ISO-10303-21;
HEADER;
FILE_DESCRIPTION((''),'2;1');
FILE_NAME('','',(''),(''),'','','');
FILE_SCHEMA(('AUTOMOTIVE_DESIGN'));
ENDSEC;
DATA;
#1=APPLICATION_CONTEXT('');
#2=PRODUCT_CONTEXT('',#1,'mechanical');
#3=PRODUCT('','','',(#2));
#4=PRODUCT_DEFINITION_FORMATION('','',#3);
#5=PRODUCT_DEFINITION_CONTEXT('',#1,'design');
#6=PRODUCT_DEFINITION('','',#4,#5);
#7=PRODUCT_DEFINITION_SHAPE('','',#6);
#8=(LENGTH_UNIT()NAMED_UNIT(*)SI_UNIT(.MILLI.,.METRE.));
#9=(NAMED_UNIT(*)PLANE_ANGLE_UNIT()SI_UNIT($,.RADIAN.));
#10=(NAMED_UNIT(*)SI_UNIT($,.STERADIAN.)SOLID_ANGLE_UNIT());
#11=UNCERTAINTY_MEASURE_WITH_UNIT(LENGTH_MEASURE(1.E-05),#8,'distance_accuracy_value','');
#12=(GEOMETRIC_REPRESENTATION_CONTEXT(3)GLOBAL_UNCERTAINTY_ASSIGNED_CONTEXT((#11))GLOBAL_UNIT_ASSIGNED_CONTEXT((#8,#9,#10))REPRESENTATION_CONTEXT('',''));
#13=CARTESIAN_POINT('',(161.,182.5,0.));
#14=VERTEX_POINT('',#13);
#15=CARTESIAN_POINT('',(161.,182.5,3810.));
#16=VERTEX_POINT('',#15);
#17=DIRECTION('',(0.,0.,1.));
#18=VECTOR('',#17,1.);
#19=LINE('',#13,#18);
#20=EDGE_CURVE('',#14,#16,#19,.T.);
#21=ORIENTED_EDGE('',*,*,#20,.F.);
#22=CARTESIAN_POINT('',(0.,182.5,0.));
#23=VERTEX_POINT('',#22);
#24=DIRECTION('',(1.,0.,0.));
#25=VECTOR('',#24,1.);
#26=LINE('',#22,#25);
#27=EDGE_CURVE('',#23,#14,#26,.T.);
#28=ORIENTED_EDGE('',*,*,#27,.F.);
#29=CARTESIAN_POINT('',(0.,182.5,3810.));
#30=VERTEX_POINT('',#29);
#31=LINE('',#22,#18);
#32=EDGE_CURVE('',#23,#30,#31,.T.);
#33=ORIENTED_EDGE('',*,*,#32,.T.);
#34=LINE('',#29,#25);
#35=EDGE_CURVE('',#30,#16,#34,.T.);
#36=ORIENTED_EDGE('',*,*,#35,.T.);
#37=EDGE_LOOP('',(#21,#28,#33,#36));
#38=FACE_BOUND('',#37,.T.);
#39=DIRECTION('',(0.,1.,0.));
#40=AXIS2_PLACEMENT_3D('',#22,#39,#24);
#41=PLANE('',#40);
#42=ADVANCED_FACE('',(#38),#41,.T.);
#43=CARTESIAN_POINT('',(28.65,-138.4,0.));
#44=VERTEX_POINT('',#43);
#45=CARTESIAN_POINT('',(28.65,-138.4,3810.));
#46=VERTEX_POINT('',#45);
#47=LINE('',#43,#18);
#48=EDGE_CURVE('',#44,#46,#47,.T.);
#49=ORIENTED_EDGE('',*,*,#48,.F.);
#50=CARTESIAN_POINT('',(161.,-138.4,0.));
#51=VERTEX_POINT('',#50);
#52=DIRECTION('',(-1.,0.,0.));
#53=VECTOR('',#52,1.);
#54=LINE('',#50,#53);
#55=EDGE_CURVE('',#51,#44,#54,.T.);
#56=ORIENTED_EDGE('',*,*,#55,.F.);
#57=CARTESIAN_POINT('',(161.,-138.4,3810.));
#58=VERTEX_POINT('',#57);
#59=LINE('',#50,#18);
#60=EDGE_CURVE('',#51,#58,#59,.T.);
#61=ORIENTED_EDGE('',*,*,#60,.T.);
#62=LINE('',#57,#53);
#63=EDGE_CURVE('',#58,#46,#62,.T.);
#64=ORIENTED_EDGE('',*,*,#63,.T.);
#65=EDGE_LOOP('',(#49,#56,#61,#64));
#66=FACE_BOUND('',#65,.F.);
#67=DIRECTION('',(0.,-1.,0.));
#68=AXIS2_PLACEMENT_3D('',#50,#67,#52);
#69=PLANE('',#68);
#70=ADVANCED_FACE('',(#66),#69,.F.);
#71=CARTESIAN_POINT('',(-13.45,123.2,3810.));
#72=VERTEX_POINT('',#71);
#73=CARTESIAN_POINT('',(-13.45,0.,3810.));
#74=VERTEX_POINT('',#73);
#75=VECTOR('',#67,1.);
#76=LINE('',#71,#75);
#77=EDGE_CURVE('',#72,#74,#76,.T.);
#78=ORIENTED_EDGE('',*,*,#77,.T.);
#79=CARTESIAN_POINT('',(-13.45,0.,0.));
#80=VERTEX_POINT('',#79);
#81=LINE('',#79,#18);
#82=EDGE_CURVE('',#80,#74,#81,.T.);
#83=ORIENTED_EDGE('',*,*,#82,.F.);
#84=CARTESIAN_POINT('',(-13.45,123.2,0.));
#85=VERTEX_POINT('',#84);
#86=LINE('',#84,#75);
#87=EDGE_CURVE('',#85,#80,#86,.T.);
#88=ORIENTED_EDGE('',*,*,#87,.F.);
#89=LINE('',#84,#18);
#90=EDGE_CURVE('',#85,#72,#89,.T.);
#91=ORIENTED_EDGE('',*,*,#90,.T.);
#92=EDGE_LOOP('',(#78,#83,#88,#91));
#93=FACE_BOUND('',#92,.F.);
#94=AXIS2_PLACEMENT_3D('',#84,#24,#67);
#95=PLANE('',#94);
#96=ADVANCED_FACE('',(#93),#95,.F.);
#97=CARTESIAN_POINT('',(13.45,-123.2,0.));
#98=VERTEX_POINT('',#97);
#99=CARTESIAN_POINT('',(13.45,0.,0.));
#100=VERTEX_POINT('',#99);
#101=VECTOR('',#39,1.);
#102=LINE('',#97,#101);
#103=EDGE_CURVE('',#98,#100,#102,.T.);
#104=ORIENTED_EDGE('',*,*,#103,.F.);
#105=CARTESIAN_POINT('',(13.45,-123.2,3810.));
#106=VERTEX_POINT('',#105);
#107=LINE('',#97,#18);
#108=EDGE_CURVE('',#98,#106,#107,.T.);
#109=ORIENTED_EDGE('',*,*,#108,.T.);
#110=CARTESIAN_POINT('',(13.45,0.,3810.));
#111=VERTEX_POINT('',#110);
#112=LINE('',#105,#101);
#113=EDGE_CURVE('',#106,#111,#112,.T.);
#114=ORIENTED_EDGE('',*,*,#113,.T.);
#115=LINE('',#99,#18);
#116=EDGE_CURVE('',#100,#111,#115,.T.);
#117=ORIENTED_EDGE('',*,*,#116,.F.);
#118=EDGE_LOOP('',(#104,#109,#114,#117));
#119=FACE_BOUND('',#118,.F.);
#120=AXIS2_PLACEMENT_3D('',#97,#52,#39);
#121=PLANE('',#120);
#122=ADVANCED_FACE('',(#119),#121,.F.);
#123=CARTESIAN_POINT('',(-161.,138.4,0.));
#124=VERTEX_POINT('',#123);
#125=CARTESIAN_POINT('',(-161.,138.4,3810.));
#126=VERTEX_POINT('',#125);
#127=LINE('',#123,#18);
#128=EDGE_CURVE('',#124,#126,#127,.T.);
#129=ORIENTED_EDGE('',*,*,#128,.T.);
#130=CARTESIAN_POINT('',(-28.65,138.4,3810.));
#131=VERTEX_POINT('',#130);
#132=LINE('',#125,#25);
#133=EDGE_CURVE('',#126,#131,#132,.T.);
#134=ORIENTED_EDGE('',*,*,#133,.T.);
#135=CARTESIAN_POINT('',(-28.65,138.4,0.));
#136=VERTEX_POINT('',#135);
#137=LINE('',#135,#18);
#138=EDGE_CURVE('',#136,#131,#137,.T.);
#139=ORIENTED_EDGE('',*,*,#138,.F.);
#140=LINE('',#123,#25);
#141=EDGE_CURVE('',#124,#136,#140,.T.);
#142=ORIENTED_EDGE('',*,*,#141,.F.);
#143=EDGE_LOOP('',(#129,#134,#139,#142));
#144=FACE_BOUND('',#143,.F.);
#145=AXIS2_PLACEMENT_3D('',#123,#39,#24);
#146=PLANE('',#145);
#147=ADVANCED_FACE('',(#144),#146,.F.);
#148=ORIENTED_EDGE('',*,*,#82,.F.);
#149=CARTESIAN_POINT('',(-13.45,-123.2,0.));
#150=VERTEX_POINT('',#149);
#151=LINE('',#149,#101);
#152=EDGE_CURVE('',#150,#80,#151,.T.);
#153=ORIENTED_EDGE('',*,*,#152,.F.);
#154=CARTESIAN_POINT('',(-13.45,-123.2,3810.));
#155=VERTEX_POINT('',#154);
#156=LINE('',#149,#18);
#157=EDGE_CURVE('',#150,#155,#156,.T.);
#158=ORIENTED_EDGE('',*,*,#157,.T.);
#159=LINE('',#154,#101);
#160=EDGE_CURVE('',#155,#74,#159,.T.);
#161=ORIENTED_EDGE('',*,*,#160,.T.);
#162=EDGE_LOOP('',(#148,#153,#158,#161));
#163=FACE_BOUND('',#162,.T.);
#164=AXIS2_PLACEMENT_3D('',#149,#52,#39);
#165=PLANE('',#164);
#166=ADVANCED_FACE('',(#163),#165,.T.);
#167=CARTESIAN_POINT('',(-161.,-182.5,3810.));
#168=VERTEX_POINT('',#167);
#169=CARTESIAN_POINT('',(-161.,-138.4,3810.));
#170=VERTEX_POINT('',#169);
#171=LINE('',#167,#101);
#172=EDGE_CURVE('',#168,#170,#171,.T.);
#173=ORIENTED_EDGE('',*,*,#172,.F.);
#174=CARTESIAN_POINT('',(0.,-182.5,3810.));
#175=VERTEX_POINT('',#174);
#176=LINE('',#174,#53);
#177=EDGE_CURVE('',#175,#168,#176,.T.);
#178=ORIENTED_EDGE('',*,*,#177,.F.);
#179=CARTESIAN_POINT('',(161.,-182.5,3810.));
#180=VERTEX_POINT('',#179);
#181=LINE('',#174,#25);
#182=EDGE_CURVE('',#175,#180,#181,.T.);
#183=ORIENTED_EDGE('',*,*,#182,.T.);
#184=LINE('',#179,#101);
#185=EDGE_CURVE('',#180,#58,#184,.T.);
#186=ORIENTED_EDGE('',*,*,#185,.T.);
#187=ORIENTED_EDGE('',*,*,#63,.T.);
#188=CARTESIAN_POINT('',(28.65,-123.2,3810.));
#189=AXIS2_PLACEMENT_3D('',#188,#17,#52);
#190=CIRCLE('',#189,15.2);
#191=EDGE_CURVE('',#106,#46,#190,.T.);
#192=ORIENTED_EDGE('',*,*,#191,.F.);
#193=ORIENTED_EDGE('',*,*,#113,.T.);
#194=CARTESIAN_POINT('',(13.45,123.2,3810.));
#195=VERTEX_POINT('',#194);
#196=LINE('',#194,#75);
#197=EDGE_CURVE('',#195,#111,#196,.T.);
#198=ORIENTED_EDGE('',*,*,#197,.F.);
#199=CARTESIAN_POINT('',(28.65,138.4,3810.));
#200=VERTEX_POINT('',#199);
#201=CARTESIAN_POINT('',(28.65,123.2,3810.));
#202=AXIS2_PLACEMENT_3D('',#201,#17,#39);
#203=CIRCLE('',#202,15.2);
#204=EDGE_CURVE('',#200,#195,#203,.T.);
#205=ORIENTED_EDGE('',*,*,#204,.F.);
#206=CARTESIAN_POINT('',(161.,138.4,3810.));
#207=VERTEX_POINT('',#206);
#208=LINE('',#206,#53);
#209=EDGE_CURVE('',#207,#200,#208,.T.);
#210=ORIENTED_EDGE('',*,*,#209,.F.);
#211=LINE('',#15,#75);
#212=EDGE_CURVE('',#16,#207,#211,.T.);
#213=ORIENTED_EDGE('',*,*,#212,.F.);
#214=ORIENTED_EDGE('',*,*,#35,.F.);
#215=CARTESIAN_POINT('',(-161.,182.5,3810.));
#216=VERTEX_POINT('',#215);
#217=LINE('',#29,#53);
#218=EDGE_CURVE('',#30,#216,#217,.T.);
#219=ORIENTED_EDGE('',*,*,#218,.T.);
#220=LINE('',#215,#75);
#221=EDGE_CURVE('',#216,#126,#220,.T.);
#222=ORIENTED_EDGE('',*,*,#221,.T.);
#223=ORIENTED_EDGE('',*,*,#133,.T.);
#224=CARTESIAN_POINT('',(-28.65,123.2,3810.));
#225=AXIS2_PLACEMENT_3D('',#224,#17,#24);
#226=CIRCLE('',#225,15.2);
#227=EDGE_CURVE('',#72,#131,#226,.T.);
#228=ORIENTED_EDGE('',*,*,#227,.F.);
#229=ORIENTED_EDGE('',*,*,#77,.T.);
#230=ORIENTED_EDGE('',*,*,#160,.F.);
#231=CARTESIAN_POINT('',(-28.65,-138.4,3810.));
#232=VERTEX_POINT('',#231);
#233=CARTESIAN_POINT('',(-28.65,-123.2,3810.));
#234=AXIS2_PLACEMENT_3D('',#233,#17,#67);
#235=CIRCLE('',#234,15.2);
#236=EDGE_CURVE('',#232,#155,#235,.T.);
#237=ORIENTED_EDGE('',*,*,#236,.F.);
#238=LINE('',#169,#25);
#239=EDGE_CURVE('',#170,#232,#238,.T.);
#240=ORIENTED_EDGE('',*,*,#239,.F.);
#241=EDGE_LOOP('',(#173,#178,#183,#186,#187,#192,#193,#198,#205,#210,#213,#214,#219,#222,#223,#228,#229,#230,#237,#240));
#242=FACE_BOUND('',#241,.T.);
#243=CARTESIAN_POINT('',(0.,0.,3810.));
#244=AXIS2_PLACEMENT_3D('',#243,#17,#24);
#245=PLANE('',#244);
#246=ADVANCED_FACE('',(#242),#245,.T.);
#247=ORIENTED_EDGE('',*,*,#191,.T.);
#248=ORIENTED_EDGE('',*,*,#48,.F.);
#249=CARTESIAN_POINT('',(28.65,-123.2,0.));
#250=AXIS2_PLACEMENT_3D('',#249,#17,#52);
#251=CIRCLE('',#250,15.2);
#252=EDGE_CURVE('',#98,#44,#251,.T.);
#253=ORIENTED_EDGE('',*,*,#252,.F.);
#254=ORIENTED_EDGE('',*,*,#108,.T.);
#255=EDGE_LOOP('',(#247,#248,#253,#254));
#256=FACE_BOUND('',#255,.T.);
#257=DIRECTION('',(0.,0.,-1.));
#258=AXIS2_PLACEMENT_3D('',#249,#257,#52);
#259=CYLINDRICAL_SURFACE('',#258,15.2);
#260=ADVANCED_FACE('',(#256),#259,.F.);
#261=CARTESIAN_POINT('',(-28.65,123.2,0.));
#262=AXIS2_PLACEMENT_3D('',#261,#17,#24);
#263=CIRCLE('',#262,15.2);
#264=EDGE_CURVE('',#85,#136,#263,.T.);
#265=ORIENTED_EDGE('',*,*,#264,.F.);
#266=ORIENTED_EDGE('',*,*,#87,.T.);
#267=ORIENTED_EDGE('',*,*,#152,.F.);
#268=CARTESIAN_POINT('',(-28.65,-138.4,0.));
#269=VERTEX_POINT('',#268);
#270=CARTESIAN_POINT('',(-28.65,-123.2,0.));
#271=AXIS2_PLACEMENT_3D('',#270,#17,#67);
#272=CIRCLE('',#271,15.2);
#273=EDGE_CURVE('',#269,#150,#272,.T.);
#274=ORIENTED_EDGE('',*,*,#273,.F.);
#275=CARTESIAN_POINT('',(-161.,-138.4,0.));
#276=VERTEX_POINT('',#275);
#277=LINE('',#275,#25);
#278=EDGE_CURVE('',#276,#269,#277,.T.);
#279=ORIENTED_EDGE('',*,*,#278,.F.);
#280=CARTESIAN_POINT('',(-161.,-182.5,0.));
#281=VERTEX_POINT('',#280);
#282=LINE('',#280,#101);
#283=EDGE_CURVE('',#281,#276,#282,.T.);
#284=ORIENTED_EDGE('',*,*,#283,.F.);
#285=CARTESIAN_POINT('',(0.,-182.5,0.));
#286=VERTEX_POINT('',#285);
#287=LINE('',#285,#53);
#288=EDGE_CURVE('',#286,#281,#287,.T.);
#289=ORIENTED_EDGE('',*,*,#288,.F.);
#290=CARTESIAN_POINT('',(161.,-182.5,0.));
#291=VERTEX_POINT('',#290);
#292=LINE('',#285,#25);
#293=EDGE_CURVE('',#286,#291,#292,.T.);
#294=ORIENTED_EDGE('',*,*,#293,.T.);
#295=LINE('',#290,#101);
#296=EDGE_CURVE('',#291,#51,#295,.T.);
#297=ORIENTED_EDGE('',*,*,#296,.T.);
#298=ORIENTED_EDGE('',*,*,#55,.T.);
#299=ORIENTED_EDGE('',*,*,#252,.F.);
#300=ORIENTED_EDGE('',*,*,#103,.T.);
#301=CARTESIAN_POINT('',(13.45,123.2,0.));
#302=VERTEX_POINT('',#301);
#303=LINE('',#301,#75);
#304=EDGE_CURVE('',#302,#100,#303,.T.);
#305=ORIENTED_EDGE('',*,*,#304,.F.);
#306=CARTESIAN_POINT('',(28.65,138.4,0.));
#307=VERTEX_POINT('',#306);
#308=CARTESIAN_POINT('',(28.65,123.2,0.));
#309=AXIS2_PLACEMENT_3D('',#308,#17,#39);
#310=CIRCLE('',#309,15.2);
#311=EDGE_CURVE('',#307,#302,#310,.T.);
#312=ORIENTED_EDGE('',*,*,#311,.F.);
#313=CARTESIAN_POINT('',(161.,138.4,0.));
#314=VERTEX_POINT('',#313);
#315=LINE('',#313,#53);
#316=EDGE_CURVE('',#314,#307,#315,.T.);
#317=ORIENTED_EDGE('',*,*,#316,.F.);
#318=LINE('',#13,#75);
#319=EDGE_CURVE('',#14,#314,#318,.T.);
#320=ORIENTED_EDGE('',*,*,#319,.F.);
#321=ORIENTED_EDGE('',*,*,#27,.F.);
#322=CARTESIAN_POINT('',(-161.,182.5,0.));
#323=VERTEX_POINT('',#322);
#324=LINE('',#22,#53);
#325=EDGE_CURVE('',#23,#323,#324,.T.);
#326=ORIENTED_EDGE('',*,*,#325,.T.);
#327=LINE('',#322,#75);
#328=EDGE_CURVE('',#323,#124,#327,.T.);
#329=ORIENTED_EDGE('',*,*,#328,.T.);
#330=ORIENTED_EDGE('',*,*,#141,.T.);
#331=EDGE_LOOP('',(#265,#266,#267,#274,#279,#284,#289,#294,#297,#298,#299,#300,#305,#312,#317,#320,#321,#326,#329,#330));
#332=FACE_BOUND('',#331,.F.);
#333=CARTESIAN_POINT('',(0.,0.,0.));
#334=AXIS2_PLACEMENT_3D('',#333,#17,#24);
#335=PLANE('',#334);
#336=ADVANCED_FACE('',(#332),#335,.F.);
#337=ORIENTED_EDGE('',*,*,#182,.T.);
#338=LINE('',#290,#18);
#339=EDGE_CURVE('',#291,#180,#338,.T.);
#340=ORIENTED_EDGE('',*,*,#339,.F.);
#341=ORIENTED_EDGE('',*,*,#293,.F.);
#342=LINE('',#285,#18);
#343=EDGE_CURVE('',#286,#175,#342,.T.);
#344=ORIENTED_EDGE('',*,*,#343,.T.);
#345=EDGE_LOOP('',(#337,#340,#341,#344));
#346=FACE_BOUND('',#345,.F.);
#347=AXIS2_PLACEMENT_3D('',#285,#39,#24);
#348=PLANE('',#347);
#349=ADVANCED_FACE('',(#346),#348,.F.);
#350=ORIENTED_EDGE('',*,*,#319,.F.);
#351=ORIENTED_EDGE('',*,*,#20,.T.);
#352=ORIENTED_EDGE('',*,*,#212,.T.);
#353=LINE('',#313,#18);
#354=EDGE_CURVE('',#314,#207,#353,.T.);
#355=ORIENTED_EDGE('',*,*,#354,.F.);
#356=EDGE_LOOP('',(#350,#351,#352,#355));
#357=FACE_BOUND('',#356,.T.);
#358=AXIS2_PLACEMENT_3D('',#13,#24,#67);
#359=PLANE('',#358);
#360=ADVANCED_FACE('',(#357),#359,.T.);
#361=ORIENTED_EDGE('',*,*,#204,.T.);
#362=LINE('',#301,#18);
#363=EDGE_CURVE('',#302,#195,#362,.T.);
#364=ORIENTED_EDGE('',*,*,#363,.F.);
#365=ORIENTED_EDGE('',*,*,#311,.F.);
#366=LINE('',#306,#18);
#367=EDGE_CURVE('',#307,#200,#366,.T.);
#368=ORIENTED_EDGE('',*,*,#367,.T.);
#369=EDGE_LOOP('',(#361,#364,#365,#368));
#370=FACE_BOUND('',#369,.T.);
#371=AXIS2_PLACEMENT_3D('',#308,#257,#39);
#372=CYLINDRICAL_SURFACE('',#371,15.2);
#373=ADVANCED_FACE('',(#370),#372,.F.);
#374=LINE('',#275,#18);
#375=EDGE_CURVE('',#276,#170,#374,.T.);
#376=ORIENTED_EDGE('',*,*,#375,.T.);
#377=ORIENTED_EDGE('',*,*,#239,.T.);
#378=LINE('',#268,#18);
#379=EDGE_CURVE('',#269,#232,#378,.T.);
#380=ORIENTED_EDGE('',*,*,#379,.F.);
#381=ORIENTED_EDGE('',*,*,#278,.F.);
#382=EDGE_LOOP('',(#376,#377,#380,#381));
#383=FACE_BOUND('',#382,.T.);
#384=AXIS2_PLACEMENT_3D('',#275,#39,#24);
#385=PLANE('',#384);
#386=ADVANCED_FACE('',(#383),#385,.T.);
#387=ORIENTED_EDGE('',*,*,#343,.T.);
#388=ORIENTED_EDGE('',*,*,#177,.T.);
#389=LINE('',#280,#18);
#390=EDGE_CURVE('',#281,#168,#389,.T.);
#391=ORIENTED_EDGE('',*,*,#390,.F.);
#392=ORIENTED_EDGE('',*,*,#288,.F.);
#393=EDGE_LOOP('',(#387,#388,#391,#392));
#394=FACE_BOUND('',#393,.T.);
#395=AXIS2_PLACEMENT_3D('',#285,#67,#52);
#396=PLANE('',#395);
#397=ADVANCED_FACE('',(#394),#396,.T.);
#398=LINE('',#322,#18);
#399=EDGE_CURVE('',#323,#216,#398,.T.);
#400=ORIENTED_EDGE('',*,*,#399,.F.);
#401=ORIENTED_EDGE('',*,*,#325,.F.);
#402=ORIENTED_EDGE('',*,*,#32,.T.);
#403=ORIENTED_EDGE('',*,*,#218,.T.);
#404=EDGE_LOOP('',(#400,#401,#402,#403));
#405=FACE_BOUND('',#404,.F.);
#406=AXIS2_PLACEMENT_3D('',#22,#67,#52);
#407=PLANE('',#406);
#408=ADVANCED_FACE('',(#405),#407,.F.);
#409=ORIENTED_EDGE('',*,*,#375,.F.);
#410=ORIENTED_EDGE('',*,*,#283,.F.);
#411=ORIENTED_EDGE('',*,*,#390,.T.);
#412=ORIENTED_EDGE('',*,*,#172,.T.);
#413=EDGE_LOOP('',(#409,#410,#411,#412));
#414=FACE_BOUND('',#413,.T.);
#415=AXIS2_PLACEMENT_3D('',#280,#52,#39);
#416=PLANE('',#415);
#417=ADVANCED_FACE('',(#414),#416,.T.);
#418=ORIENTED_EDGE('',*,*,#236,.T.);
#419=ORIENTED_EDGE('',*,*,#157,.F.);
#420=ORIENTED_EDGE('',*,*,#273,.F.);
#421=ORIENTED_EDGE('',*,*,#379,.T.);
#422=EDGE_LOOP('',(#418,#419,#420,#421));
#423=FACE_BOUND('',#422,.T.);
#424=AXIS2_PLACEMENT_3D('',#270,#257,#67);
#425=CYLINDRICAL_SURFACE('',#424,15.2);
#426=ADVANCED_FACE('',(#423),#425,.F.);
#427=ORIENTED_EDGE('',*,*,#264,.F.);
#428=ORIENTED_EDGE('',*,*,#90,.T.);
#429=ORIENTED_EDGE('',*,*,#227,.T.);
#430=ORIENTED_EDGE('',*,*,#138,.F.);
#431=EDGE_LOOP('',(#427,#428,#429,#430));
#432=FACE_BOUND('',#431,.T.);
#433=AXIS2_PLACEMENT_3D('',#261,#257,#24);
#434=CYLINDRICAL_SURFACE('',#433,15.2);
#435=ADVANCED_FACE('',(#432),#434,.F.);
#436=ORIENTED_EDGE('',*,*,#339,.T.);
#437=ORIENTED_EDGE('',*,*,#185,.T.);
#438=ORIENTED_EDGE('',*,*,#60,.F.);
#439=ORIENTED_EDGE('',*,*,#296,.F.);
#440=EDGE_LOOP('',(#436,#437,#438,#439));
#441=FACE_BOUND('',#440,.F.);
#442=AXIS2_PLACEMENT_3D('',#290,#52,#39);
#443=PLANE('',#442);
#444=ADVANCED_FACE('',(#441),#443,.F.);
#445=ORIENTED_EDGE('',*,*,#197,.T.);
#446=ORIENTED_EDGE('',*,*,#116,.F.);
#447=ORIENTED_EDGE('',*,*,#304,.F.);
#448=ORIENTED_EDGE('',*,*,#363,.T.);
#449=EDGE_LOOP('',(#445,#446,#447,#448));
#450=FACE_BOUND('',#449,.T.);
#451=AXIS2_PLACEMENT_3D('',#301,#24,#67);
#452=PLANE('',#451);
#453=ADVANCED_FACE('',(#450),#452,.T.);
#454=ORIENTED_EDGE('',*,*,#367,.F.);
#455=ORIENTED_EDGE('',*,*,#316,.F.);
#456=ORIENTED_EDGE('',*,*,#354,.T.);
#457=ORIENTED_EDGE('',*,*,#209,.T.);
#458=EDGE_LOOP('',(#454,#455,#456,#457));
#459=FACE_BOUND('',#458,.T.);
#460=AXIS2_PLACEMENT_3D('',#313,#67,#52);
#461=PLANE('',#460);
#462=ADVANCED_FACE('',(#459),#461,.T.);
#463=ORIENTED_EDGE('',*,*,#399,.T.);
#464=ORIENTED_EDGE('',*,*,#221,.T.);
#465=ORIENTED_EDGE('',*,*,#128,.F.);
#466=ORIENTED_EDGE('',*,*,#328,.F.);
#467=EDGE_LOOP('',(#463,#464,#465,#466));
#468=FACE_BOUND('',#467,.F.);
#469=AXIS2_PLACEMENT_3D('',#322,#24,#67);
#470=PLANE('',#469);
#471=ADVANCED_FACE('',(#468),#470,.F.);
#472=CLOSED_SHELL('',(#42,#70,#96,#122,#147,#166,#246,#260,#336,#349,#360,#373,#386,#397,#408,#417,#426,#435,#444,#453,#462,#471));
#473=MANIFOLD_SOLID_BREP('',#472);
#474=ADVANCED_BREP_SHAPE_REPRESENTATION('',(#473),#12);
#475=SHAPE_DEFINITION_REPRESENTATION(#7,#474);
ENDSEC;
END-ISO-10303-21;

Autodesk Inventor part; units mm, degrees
ref_plane "YZ Plane" through (0, 0, 0) normal (1, 0, 0) x (0, 1, 0)
ref_plane "Start plane" through (0, 0, 0) normal (0, 0, 1) x (1, 0, 0)
ref_plane "End plane" through (0, 0, 3810) normal (0, 0, 1) x (1, 0, 0)
sketch "Sketch" plane through (0, 0, 0) normal (0, 0, 1) x (1, 0, 0)
  line L0 (-161, -182.5) -> (-161, -138.4)
  line L1 (-161, -138.4) -> (-28.65, -138.4)
  line L2 (-13.45, -123.2) -> (-13.45, 0)
  line L3 (-13.45, 0) -> (0, 0) construction
  line L4 (0, 0) -> (0, -182.5) construction
  line L5 (0, -182.5) -> (-161, -182.5)
  line L6 (-60, 0) -> (80, 0) construction
  line L7 (0, -60) -> (0, 80) construction
  line L8 (161, -182.5) -> (161, -138.4)
  line L9 (161, -138.4) -> (28.65, -138.4)
  line L10 (13.45, -123.2) -> (13.45, 0)
  line L11 (13.45, 0) -> (0, 0) construction
  line L12 (0, -182.5) -> (161, -182.5)
  line L13 (-161, 182.5) -> (-161, 138.4)
  line L14 (-161, 138.4) -> (-28.65, 138.4)
  line L15 (-13.45, 123.2) -> (-13.45, 0)
  line L16 (0, 182.5) -> (-161, 182.5)
  line L17 (161, 182.5) -> (161, 138.4)
  line L18 (161, 138.4) -> (28.65, 138.4)
  line L19 (0, 182.5) -> (161, 182.5)
  line L20 (13.45, 123.2) -> (13.45, 0)
  arc A0 (-13.45, 123.2) -> (-28.65, 138.4) centre (-28.65, 123.2) ccw
  arc A1 (28.65, 138.4) -> (13.45, 123.2) centre (28.65, 123.2) ccw
  arc A2 (13.45, -123.2) -> (28.65, -138.4) centre (28.65, -123.2) ccw
  arc A3 (-28.65, -138.4) -> (-13.45, -123.2) centre (-28.65, -123.2) ccw
  line L21 (0, 108) -> (0, -88) construction
  line L22 (-88, 0) -> (108, 0) construction
  point P0 (-13.45, -138.4)
  point P1 (13.45, -138.4)
  point P2 (-13.45, 138.4)
  point P3 (13.45, 138.4)
  dimension "d1" = 182.5
  dimension "d2" = 44.1
  dimension "d3" = 161
  dimension "d4" = 13.45
  dimension "d10" = 15.2
extrude "Body" add sketch "Sketch" along normal up to surface (3810 mm away) from surface at 0
sketch "Sketch4" plane through (0, 0, 0) normal (0, 0, 1) x (1, 0, 0)
  line L0 (0, 0) -> (10, 0)
ref_plane "Work Plane3" through (0, 0, 0) normal (0, -1, 0) x (1, 0, 0)
sketch "Sketch5" plane through (0, 0, 0) normal (0, -1, 0) x (1, 0, 0)
  line L0 (-2, 0) -> (12, 0) projected
  line L1 (-2, 3810) -> (12, 3810) projected
  dimension "d14" = 3810
equation "\"d1\" = 0.5 * G_H"
equation "\"d2\" = G_T1"
equation "\"d3\" = 0.5 * G_W"
equation "\"d4\" = 0.5 * G_T"
equation "\"d10\" = G_IR"
equation "\"d5\" = G_L"
equation "\"G_W\" = 322"
equation "\"G_H\" = 365"
equation "\"G_T\" = 26.9"
equation "\"G_T1\" = 44.1"
equation "\"G_IR\" = 15.2"
equation "\"G_L\" = d14"
equation "\"G_OFFSET_START\" = 0"
equation "\"G_OFFSET_END\" = 0"
properties part number "AS 3679 - 310 UC - 283 - 3810" material "Steel, Mild"
